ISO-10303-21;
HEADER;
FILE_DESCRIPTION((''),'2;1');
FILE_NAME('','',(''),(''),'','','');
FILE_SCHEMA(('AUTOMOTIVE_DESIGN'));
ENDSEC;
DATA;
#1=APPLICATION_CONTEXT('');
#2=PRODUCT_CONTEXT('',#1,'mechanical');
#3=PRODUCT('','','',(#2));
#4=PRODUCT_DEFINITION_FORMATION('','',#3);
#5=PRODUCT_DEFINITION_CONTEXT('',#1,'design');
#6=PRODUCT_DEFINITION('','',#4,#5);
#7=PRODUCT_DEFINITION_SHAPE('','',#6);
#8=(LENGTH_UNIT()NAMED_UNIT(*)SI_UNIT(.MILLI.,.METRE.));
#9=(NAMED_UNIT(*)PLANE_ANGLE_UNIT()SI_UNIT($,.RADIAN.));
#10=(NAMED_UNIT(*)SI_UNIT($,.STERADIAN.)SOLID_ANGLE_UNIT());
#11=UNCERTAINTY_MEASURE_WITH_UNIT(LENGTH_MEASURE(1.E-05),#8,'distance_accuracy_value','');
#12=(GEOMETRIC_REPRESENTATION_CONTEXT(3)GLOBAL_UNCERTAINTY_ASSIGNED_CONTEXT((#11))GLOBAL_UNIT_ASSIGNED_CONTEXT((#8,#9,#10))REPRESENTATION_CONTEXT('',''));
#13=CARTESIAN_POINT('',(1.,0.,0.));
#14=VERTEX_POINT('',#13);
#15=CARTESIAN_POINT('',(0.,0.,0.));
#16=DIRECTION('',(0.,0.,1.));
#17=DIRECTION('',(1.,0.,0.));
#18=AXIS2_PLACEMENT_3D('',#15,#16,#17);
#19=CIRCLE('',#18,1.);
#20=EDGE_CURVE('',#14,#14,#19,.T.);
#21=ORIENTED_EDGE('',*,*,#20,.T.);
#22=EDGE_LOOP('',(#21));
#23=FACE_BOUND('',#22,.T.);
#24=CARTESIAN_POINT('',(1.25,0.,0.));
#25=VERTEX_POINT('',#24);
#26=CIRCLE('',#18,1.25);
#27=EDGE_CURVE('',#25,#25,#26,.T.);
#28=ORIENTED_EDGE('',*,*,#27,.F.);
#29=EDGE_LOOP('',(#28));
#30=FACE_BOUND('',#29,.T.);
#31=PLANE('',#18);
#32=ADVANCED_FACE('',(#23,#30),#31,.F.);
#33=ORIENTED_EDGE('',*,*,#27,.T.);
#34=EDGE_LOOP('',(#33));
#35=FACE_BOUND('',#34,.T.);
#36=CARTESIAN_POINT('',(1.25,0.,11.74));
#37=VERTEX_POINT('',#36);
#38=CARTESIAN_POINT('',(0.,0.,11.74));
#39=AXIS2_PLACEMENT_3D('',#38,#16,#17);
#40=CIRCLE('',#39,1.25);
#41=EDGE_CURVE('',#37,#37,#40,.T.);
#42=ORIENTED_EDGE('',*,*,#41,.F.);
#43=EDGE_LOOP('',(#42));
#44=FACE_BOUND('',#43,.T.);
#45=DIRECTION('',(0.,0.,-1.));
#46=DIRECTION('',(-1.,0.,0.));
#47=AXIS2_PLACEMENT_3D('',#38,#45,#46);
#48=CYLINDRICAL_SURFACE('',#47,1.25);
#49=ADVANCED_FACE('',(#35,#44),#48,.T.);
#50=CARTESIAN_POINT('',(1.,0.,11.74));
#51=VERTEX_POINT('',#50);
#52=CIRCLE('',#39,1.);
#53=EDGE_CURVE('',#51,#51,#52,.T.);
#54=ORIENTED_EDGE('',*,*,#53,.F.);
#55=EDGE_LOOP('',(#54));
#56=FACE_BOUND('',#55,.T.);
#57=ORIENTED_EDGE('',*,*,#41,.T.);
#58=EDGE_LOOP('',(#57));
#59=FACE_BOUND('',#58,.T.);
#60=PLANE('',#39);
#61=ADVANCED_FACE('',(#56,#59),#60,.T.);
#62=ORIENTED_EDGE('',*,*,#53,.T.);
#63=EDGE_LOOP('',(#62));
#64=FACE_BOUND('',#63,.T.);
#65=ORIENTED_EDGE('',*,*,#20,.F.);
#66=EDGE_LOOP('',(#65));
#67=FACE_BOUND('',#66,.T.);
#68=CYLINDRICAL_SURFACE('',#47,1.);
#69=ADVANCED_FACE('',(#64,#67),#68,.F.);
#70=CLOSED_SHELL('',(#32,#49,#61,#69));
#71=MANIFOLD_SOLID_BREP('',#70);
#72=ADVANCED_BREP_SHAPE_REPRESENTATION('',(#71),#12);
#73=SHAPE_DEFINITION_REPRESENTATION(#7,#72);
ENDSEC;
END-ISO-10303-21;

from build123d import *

# Parameters (mm, degrees)
SKETCH1_R           = 1.25
SKETCH1_R_2         = 1
BOSS_EXTRUDE1_DEPTH = 11.74


with BuildPart() as part:
    # Sketch1 → Boss-Extrude1 (new body)
    with BuildSketch(Plane.XY):
        Circle(SKETCH1_R)
        Circle(SKETCH1_R_2, mode=Mode.SUBTRACT)
    extrude(amount=BOSS_EXTRUDE1_DEPTH)


solid = part.part
